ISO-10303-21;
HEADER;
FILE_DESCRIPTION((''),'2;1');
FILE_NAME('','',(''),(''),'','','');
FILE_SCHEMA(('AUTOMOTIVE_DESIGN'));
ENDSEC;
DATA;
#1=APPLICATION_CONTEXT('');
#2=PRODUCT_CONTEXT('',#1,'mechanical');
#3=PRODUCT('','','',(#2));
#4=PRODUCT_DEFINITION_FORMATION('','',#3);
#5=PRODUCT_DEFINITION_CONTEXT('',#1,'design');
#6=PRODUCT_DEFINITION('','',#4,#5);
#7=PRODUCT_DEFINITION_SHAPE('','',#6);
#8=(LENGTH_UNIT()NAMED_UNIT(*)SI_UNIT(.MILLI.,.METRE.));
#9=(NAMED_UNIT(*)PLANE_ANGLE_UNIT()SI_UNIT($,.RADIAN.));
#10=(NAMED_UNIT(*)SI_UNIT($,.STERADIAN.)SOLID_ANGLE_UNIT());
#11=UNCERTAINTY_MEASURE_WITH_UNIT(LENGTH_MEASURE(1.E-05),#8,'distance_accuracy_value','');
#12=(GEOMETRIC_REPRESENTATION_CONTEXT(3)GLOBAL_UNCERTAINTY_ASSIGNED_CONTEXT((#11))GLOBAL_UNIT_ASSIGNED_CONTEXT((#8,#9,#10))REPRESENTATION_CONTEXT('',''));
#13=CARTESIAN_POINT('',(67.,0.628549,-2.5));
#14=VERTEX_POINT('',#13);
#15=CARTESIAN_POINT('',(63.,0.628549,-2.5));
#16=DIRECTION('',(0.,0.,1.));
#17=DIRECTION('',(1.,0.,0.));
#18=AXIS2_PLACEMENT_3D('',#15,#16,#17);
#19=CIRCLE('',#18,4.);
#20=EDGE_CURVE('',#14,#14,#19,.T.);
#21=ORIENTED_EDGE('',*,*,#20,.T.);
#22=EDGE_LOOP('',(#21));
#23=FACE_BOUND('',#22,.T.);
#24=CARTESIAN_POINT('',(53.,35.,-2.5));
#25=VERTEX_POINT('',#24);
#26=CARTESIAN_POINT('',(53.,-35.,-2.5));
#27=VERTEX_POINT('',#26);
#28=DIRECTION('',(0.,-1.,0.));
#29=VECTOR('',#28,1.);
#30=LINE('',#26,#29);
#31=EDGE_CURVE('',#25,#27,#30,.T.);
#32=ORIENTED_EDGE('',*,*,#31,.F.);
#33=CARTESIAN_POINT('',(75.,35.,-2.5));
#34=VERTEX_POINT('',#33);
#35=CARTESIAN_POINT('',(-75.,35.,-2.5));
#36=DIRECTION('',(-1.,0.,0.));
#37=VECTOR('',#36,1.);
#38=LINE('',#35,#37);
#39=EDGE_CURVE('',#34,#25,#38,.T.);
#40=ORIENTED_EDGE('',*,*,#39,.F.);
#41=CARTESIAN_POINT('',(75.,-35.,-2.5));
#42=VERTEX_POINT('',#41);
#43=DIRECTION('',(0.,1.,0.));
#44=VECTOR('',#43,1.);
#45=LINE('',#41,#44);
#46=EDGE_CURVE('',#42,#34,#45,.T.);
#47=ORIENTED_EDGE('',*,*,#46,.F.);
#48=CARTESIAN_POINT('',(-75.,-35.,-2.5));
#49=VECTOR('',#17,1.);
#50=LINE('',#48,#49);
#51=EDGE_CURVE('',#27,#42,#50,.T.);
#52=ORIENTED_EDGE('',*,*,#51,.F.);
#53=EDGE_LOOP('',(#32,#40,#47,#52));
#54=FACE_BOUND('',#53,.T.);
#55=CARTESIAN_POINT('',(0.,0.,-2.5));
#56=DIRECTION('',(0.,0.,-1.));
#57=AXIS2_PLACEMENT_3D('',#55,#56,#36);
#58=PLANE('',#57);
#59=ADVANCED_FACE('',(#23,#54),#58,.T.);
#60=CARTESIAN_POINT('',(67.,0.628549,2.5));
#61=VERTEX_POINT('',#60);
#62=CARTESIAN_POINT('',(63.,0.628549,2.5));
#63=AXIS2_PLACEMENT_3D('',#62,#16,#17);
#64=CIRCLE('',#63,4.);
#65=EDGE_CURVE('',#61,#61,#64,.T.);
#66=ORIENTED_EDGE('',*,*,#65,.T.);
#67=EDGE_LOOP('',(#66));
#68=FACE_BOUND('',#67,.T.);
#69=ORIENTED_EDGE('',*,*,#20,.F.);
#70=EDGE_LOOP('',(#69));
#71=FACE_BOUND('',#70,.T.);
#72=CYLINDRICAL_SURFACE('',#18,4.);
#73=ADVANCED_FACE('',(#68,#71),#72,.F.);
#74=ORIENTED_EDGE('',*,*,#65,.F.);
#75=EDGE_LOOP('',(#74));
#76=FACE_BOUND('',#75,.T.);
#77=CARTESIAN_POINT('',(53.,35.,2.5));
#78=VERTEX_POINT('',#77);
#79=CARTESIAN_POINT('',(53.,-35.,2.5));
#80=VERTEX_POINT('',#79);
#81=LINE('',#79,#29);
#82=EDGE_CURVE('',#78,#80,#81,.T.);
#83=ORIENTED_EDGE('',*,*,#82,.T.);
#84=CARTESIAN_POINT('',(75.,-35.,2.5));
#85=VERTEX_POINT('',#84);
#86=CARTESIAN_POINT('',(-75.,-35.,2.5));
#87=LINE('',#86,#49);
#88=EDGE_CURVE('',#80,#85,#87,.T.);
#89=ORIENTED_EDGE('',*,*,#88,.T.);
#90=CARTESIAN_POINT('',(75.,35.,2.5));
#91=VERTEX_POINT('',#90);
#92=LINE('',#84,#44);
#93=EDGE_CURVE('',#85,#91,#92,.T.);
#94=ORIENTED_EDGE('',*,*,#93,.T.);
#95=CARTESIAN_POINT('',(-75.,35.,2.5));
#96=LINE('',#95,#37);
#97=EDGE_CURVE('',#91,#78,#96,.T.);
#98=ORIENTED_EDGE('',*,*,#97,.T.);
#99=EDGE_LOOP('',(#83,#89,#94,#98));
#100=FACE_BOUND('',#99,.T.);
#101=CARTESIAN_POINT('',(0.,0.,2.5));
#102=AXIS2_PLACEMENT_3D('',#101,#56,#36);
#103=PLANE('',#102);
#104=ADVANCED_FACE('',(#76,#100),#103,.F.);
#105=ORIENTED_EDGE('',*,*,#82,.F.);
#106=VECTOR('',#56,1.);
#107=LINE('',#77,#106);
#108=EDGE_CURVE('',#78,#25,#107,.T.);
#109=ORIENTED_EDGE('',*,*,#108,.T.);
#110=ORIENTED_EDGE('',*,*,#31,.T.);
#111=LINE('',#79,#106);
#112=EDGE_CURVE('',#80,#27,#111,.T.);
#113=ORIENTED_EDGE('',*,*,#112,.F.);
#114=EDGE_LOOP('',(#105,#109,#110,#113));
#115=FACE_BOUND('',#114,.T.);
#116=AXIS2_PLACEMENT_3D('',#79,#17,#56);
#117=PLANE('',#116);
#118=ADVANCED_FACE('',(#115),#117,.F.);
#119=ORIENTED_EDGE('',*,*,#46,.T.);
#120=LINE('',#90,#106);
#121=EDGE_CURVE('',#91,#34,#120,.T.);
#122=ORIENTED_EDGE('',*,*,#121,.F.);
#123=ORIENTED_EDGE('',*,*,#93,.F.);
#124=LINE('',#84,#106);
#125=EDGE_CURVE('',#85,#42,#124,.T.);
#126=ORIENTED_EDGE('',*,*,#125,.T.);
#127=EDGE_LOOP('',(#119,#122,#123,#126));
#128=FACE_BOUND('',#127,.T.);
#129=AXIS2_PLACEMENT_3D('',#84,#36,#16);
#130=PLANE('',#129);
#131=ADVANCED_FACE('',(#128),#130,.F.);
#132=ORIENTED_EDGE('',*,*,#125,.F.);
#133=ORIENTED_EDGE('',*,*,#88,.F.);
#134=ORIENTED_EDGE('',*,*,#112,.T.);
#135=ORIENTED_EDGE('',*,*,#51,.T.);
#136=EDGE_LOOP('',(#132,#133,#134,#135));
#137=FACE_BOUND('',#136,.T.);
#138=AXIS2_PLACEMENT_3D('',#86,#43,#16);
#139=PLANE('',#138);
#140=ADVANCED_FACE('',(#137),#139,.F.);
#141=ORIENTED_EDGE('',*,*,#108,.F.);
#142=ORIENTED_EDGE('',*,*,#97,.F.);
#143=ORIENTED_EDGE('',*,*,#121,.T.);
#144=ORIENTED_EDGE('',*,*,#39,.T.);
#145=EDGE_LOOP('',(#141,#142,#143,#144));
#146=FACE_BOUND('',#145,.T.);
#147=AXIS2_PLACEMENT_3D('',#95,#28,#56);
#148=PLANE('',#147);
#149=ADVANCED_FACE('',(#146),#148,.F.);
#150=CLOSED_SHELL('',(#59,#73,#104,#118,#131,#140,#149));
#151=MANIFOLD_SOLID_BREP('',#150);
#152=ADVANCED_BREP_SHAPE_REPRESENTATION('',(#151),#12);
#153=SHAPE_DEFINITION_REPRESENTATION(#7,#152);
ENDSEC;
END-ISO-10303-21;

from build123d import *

# Parameters (mm, degrees)
SKETCH1_W           = 150
SKETCH1_H           = 70
BOSS_EXTRUDE1_DEPTH = 2.5
SKETCH2_R           = 4
CUT_EXTRUDE1_DEPTH  = 6
SKETCH3_W           = 120
SKETCH3_H           = 70
CUT_EXTRUDE2_DEPTH  = 6
SKETCH4_W           = 8
SKETCH4_H           = 70
CUT_EXTRUDE3_DEPTH  = 6


with BuildPart() as part:
    # Sketch1 → Boss-Extrude1 (new body, symmetric)
    with BuildSketch(Plane.XY):
        Rectangle(SKETCH1_W, SKETCH1_H)
    extrude(amount=BOSS_EXTRUDE1_DEPTH, both=True)

    # Sketch2 → Cut-Extrude1 (cut, through all)
    with BuildSketch(Plane.XY.offset(2.5)):
        with Locations((63, 0.628549325)):
            Circle(SKETCH2_R)
        with Locations((29.001496193, 0.309583996)):
            Circle(SKETCH2_R)
        with Locations((-42.995335398, -0.365871995)):
            Circle(SKETCH2_R)
        with Locations((-3.99705162, 0)):
            Circle(SKETCH2_R)
    extrude(amount=-CUT_EXTRUDE1_DEPTH, mode=Mode.SUBTRACT)

    # Sketch3 → Cut-Extrude2 (cut, through all)
    with BuildSketch(Plane(origin=(0, 0, -2.5), x_dir=(-1, 0, 0), z_dir=(0, 0, -1))):
        with Locations((15, 0)):
            Rectangle(SKETCH3_W, SKETCH3_H)
    extrude(amount=-CUT_EXTRUDE2_DEPTH, mode=Mode.SUBTRACT)

    # Sketch4 → Cut-Extrude3 (cut, through all)
    with BuildSketch(Plane(origin=(0, 0, -2.5), x_dir=(-1, 0, 0), z_dir=(0, 0, -1))):
        with Locations((-49, 0)):
            Rectangle(SKETCH4_W, SKETCH4_H)
    extrude(amount=-CUT_EXTRUDE3_DEPTH, mode=Mode.SUBTRACT)


solid = part.part
